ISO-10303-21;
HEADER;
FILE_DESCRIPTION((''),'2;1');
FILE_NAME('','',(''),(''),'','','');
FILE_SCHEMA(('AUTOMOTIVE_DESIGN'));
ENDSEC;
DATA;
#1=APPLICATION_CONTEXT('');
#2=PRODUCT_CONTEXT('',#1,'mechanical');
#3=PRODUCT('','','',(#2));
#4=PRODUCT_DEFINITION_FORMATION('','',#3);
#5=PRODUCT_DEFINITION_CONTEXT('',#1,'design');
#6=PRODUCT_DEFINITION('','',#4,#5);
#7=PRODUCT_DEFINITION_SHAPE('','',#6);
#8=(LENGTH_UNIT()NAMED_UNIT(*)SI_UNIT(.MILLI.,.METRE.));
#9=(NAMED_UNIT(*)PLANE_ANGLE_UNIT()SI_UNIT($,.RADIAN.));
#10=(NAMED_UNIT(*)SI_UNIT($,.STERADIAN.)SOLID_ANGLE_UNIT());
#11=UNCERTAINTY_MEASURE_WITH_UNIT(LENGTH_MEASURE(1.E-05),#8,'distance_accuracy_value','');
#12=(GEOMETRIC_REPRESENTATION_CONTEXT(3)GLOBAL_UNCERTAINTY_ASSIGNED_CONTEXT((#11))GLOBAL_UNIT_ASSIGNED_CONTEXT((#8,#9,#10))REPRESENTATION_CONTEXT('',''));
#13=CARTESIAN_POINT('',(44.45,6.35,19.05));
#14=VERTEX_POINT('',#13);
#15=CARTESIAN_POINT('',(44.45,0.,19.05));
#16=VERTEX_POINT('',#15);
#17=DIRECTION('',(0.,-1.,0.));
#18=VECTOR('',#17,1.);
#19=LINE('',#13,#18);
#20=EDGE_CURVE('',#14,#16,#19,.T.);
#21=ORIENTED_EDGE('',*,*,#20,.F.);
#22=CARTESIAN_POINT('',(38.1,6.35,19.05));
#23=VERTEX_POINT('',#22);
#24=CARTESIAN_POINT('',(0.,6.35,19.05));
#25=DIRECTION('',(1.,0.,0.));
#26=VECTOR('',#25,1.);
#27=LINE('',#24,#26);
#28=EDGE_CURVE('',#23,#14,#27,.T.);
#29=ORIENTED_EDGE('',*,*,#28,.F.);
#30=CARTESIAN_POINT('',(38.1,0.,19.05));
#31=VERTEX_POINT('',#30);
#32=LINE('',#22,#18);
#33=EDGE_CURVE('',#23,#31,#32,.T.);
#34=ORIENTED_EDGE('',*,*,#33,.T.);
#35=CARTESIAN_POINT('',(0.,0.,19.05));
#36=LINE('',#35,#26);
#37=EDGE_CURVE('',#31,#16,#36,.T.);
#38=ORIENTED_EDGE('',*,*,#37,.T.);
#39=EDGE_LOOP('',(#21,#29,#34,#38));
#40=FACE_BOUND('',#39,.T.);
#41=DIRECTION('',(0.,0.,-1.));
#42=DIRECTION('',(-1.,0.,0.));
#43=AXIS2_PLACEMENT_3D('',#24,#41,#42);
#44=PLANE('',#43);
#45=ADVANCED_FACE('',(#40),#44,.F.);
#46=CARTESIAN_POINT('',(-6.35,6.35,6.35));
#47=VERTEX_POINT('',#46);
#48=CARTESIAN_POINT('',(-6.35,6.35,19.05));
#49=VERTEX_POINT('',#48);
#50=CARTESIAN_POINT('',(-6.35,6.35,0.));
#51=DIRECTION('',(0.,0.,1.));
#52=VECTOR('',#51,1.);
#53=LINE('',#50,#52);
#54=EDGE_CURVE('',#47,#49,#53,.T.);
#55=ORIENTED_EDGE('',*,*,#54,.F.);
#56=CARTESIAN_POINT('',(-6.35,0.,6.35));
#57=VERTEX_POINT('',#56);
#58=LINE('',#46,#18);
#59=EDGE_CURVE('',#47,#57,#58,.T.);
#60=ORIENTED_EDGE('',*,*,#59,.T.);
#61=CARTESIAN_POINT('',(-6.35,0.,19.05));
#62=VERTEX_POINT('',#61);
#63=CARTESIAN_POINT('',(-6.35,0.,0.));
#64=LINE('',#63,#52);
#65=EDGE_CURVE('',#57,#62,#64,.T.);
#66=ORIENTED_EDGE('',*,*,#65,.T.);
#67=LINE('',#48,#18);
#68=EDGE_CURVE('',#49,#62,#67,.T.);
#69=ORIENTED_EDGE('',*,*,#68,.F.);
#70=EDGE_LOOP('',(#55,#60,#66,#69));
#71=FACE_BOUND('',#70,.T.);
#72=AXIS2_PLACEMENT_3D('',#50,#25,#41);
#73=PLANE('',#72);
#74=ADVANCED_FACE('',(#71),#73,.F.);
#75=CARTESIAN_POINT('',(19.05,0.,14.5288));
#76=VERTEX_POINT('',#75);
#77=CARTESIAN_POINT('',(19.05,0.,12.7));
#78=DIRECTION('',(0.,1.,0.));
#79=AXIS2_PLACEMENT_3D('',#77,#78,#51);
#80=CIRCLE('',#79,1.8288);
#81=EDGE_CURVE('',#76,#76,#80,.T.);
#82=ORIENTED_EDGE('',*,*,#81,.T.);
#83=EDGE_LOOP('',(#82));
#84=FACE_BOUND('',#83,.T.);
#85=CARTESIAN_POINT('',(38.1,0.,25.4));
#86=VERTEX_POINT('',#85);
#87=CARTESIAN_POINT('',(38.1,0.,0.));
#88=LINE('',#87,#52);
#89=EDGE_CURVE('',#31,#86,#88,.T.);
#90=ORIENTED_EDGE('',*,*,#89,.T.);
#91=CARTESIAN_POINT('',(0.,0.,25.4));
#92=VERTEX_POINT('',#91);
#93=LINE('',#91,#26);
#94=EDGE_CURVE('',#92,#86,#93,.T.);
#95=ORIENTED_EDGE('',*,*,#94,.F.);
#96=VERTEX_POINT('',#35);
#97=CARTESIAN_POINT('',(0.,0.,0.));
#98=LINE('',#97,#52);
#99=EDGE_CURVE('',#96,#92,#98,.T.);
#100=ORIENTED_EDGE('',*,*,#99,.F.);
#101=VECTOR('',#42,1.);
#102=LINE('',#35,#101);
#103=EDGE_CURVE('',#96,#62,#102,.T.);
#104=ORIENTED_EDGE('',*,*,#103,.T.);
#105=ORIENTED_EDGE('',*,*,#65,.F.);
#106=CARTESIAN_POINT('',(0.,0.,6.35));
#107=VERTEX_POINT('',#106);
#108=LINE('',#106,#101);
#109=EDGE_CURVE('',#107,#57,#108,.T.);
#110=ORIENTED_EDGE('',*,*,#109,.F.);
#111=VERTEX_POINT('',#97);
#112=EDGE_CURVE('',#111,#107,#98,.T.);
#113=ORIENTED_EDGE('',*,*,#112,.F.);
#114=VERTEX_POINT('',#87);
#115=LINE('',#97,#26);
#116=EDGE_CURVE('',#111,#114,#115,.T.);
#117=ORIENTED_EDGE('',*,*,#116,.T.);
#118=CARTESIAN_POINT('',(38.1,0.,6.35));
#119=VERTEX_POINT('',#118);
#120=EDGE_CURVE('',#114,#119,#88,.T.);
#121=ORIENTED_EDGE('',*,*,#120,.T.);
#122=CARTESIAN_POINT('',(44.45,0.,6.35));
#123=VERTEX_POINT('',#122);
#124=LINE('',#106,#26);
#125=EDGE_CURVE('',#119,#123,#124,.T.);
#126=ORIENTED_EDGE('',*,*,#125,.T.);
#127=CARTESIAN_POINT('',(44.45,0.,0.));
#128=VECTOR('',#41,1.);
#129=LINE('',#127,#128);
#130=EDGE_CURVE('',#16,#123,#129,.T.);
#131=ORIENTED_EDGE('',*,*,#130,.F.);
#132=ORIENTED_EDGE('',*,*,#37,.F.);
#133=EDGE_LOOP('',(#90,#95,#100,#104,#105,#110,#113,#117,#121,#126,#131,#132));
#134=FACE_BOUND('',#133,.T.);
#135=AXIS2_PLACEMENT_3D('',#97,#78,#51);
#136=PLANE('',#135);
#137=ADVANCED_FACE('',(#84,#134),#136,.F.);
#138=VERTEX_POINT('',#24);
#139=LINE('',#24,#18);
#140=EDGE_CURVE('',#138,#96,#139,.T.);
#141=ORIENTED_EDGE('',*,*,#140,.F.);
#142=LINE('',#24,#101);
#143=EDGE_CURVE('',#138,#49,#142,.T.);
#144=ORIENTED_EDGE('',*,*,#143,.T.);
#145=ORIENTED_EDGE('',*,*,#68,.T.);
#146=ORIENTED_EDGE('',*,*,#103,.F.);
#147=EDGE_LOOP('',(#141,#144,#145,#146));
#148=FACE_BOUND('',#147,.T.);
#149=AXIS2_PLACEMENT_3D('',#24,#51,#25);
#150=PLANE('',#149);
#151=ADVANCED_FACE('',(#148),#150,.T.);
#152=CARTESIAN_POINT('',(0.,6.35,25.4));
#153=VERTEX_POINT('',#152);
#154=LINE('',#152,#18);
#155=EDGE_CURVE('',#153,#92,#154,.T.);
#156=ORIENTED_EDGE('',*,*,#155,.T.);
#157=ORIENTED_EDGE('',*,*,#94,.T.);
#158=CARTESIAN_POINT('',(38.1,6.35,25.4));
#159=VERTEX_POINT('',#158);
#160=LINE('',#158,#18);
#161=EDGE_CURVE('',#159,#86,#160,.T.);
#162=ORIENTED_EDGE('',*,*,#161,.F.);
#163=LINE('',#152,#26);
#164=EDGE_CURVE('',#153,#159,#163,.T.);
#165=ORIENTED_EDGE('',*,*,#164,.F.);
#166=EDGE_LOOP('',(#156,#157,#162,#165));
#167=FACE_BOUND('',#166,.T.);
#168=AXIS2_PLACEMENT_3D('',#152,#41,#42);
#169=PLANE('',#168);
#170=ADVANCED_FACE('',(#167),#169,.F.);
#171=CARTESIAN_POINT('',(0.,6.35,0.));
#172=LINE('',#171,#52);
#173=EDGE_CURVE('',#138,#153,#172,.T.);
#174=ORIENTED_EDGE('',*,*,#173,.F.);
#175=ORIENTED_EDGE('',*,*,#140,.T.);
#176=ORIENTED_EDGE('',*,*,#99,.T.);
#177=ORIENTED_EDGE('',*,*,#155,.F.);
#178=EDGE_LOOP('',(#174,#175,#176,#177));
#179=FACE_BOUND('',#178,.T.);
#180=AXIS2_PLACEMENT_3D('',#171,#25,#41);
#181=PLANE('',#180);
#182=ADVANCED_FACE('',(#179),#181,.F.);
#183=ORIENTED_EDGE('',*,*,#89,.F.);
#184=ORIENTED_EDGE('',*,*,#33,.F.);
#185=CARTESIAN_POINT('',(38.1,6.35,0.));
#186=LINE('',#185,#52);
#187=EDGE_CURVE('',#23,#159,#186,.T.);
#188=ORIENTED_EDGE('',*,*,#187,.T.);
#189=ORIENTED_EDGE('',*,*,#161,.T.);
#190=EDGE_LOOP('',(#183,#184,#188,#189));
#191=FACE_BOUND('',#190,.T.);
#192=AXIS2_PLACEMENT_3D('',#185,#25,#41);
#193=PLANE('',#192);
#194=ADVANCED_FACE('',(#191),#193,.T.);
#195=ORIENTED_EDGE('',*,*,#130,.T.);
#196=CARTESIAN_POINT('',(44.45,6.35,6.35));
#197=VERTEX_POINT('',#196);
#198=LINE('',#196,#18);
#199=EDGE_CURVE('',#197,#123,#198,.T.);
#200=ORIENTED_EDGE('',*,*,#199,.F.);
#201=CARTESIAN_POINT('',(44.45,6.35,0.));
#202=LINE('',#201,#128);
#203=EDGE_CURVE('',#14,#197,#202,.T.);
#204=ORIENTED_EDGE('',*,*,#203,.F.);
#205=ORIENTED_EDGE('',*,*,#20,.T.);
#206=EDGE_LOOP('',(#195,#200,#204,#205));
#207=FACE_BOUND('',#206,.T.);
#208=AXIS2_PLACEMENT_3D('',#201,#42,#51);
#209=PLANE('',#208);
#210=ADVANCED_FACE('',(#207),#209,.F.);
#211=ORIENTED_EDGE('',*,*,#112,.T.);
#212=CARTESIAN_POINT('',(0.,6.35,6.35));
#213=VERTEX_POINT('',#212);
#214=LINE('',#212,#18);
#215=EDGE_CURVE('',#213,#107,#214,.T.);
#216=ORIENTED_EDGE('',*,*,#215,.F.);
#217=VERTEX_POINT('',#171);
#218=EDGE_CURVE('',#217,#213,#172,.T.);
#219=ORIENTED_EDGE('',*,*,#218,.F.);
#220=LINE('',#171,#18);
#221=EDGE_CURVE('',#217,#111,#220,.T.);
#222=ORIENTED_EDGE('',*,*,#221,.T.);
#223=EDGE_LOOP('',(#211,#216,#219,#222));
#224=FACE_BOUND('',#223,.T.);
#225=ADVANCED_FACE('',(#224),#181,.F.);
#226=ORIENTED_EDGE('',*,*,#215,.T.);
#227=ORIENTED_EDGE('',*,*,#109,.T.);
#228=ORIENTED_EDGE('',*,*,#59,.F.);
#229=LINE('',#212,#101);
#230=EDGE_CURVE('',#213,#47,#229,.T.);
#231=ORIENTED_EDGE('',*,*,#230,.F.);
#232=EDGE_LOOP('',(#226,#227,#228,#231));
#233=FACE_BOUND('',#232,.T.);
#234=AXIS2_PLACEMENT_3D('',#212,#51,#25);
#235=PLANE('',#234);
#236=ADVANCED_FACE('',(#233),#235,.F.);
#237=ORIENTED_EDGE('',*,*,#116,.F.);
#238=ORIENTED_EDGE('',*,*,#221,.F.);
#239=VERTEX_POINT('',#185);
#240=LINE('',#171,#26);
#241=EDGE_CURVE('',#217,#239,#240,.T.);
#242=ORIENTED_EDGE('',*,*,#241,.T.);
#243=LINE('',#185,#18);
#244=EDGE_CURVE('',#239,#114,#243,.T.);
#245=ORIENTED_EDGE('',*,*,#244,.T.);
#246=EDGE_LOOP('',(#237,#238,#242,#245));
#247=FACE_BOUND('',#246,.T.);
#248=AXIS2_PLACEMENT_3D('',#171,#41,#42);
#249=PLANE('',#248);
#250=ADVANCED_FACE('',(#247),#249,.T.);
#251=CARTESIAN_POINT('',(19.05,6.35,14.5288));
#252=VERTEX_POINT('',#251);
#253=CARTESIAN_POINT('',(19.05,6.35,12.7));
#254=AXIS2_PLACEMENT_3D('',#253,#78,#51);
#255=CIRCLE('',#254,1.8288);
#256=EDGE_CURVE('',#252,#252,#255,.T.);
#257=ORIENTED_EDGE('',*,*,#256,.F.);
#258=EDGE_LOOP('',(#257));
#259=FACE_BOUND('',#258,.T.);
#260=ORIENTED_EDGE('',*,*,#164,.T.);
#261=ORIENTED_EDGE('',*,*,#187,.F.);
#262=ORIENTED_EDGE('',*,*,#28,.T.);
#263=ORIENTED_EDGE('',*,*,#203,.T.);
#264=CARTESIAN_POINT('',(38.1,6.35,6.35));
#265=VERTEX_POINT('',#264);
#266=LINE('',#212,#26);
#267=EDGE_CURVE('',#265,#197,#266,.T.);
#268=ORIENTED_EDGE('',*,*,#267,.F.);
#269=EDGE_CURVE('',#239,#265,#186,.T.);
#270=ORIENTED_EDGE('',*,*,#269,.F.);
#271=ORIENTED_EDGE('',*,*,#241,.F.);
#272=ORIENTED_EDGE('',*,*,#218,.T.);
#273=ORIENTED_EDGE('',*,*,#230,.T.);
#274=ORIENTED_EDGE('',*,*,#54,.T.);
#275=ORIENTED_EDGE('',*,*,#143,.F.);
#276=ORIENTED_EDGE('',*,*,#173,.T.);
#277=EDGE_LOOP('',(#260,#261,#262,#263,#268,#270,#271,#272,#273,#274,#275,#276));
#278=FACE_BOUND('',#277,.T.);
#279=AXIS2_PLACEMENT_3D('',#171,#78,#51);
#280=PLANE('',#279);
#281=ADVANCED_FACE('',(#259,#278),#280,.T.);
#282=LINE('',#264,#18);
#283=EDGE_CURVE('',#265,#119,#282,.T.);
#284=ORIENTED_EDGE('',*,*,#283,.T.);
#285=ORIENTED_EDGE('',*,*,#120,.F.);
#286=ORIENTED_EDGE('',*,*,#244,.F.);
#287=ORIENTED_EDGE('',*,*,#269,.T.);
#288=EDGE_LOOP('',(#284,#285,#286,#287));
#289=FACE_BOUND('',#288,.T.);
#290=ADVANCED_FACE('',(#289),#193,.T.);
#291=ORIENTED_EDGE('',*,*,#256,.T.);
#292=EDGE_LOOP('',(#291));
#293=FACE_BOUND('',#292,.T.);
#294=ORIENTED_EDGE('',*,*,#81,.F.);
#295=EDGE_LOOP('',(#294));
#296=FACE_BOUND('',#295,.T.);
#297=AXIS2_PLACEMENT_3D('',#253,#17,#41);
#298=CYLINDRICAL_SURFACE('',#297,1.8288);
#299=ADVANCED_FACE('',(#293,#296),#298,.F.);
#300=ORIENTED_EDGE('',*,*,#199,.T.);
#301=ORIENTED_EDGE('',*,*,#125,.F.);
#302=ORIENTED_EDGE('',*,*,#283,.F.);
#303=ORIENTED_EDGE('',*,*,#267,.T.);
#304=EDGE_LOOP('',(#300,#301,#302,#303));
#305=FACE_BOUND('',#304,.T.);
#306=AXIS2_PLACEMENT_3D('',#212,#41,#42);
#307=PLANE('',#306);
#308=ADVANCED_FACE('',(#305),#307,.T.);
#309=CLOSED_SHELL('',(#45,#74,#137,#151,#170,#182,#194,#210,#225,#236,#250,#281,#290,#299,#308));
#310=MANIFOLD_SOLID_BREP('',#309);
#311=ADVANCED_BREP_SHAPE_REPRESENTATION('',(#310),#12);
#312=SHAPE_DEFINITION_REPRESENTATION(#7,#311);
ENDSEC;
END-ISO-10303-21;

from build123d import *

# Parameters (mm, degrees)
SKETCH1_W           = 38.1
SKETCH1_H           = 25.4
SKETCH1_R           = 1.8288
SKETCH1_W_2         = 6.35
SKETCH1_H_2         = 12.7
BOSS_EXTRUDE1_DEPTH = 6.35


with BuildPart() as part:
    # Sketch1 → Boss-Extrude1 (new body)
    # profile 1 of 3: a face of its own
    with BuildSketch(Plane(origin=(0, 0, 0), x_dir=(1, 0, 0), z_dir=(0, 1, 0))):
        with Locations((19.05, -12.7)):
            Rectangle(SKETCH1_W, SKETCH1_H)
        with Locations(Location((19.05, -12.7, 0), (0, 0, 270))):
            Circle(SKETCH1_R, mode=Mode.SUBTRACT)
    # profile 2 of 3: a face of its own
    with BuildSketch(Plane(origin=(0, 0, 0), x_dir=(1, 0, 0), z_dir=(0, 1, 0))):
        with Locations((41.275, -12.7)):
            Rectangle(SKETCH1_W_2, SKETCH1_H_2)
    # profile 3 of 3: a face of its own
    with BuildSketch(Plane(origin=(0, 0, 0), x_dir=(1, 0, 0), z_dir=(0, 1, 0))):
        with Locations((-3.175, -12.7)):
            Rectangle(SKETCH1_W_2, SKETCH1_H_2)
    extrude(amount=BOSS_EXTRUDE1_DEPTH)


solid = part.part
